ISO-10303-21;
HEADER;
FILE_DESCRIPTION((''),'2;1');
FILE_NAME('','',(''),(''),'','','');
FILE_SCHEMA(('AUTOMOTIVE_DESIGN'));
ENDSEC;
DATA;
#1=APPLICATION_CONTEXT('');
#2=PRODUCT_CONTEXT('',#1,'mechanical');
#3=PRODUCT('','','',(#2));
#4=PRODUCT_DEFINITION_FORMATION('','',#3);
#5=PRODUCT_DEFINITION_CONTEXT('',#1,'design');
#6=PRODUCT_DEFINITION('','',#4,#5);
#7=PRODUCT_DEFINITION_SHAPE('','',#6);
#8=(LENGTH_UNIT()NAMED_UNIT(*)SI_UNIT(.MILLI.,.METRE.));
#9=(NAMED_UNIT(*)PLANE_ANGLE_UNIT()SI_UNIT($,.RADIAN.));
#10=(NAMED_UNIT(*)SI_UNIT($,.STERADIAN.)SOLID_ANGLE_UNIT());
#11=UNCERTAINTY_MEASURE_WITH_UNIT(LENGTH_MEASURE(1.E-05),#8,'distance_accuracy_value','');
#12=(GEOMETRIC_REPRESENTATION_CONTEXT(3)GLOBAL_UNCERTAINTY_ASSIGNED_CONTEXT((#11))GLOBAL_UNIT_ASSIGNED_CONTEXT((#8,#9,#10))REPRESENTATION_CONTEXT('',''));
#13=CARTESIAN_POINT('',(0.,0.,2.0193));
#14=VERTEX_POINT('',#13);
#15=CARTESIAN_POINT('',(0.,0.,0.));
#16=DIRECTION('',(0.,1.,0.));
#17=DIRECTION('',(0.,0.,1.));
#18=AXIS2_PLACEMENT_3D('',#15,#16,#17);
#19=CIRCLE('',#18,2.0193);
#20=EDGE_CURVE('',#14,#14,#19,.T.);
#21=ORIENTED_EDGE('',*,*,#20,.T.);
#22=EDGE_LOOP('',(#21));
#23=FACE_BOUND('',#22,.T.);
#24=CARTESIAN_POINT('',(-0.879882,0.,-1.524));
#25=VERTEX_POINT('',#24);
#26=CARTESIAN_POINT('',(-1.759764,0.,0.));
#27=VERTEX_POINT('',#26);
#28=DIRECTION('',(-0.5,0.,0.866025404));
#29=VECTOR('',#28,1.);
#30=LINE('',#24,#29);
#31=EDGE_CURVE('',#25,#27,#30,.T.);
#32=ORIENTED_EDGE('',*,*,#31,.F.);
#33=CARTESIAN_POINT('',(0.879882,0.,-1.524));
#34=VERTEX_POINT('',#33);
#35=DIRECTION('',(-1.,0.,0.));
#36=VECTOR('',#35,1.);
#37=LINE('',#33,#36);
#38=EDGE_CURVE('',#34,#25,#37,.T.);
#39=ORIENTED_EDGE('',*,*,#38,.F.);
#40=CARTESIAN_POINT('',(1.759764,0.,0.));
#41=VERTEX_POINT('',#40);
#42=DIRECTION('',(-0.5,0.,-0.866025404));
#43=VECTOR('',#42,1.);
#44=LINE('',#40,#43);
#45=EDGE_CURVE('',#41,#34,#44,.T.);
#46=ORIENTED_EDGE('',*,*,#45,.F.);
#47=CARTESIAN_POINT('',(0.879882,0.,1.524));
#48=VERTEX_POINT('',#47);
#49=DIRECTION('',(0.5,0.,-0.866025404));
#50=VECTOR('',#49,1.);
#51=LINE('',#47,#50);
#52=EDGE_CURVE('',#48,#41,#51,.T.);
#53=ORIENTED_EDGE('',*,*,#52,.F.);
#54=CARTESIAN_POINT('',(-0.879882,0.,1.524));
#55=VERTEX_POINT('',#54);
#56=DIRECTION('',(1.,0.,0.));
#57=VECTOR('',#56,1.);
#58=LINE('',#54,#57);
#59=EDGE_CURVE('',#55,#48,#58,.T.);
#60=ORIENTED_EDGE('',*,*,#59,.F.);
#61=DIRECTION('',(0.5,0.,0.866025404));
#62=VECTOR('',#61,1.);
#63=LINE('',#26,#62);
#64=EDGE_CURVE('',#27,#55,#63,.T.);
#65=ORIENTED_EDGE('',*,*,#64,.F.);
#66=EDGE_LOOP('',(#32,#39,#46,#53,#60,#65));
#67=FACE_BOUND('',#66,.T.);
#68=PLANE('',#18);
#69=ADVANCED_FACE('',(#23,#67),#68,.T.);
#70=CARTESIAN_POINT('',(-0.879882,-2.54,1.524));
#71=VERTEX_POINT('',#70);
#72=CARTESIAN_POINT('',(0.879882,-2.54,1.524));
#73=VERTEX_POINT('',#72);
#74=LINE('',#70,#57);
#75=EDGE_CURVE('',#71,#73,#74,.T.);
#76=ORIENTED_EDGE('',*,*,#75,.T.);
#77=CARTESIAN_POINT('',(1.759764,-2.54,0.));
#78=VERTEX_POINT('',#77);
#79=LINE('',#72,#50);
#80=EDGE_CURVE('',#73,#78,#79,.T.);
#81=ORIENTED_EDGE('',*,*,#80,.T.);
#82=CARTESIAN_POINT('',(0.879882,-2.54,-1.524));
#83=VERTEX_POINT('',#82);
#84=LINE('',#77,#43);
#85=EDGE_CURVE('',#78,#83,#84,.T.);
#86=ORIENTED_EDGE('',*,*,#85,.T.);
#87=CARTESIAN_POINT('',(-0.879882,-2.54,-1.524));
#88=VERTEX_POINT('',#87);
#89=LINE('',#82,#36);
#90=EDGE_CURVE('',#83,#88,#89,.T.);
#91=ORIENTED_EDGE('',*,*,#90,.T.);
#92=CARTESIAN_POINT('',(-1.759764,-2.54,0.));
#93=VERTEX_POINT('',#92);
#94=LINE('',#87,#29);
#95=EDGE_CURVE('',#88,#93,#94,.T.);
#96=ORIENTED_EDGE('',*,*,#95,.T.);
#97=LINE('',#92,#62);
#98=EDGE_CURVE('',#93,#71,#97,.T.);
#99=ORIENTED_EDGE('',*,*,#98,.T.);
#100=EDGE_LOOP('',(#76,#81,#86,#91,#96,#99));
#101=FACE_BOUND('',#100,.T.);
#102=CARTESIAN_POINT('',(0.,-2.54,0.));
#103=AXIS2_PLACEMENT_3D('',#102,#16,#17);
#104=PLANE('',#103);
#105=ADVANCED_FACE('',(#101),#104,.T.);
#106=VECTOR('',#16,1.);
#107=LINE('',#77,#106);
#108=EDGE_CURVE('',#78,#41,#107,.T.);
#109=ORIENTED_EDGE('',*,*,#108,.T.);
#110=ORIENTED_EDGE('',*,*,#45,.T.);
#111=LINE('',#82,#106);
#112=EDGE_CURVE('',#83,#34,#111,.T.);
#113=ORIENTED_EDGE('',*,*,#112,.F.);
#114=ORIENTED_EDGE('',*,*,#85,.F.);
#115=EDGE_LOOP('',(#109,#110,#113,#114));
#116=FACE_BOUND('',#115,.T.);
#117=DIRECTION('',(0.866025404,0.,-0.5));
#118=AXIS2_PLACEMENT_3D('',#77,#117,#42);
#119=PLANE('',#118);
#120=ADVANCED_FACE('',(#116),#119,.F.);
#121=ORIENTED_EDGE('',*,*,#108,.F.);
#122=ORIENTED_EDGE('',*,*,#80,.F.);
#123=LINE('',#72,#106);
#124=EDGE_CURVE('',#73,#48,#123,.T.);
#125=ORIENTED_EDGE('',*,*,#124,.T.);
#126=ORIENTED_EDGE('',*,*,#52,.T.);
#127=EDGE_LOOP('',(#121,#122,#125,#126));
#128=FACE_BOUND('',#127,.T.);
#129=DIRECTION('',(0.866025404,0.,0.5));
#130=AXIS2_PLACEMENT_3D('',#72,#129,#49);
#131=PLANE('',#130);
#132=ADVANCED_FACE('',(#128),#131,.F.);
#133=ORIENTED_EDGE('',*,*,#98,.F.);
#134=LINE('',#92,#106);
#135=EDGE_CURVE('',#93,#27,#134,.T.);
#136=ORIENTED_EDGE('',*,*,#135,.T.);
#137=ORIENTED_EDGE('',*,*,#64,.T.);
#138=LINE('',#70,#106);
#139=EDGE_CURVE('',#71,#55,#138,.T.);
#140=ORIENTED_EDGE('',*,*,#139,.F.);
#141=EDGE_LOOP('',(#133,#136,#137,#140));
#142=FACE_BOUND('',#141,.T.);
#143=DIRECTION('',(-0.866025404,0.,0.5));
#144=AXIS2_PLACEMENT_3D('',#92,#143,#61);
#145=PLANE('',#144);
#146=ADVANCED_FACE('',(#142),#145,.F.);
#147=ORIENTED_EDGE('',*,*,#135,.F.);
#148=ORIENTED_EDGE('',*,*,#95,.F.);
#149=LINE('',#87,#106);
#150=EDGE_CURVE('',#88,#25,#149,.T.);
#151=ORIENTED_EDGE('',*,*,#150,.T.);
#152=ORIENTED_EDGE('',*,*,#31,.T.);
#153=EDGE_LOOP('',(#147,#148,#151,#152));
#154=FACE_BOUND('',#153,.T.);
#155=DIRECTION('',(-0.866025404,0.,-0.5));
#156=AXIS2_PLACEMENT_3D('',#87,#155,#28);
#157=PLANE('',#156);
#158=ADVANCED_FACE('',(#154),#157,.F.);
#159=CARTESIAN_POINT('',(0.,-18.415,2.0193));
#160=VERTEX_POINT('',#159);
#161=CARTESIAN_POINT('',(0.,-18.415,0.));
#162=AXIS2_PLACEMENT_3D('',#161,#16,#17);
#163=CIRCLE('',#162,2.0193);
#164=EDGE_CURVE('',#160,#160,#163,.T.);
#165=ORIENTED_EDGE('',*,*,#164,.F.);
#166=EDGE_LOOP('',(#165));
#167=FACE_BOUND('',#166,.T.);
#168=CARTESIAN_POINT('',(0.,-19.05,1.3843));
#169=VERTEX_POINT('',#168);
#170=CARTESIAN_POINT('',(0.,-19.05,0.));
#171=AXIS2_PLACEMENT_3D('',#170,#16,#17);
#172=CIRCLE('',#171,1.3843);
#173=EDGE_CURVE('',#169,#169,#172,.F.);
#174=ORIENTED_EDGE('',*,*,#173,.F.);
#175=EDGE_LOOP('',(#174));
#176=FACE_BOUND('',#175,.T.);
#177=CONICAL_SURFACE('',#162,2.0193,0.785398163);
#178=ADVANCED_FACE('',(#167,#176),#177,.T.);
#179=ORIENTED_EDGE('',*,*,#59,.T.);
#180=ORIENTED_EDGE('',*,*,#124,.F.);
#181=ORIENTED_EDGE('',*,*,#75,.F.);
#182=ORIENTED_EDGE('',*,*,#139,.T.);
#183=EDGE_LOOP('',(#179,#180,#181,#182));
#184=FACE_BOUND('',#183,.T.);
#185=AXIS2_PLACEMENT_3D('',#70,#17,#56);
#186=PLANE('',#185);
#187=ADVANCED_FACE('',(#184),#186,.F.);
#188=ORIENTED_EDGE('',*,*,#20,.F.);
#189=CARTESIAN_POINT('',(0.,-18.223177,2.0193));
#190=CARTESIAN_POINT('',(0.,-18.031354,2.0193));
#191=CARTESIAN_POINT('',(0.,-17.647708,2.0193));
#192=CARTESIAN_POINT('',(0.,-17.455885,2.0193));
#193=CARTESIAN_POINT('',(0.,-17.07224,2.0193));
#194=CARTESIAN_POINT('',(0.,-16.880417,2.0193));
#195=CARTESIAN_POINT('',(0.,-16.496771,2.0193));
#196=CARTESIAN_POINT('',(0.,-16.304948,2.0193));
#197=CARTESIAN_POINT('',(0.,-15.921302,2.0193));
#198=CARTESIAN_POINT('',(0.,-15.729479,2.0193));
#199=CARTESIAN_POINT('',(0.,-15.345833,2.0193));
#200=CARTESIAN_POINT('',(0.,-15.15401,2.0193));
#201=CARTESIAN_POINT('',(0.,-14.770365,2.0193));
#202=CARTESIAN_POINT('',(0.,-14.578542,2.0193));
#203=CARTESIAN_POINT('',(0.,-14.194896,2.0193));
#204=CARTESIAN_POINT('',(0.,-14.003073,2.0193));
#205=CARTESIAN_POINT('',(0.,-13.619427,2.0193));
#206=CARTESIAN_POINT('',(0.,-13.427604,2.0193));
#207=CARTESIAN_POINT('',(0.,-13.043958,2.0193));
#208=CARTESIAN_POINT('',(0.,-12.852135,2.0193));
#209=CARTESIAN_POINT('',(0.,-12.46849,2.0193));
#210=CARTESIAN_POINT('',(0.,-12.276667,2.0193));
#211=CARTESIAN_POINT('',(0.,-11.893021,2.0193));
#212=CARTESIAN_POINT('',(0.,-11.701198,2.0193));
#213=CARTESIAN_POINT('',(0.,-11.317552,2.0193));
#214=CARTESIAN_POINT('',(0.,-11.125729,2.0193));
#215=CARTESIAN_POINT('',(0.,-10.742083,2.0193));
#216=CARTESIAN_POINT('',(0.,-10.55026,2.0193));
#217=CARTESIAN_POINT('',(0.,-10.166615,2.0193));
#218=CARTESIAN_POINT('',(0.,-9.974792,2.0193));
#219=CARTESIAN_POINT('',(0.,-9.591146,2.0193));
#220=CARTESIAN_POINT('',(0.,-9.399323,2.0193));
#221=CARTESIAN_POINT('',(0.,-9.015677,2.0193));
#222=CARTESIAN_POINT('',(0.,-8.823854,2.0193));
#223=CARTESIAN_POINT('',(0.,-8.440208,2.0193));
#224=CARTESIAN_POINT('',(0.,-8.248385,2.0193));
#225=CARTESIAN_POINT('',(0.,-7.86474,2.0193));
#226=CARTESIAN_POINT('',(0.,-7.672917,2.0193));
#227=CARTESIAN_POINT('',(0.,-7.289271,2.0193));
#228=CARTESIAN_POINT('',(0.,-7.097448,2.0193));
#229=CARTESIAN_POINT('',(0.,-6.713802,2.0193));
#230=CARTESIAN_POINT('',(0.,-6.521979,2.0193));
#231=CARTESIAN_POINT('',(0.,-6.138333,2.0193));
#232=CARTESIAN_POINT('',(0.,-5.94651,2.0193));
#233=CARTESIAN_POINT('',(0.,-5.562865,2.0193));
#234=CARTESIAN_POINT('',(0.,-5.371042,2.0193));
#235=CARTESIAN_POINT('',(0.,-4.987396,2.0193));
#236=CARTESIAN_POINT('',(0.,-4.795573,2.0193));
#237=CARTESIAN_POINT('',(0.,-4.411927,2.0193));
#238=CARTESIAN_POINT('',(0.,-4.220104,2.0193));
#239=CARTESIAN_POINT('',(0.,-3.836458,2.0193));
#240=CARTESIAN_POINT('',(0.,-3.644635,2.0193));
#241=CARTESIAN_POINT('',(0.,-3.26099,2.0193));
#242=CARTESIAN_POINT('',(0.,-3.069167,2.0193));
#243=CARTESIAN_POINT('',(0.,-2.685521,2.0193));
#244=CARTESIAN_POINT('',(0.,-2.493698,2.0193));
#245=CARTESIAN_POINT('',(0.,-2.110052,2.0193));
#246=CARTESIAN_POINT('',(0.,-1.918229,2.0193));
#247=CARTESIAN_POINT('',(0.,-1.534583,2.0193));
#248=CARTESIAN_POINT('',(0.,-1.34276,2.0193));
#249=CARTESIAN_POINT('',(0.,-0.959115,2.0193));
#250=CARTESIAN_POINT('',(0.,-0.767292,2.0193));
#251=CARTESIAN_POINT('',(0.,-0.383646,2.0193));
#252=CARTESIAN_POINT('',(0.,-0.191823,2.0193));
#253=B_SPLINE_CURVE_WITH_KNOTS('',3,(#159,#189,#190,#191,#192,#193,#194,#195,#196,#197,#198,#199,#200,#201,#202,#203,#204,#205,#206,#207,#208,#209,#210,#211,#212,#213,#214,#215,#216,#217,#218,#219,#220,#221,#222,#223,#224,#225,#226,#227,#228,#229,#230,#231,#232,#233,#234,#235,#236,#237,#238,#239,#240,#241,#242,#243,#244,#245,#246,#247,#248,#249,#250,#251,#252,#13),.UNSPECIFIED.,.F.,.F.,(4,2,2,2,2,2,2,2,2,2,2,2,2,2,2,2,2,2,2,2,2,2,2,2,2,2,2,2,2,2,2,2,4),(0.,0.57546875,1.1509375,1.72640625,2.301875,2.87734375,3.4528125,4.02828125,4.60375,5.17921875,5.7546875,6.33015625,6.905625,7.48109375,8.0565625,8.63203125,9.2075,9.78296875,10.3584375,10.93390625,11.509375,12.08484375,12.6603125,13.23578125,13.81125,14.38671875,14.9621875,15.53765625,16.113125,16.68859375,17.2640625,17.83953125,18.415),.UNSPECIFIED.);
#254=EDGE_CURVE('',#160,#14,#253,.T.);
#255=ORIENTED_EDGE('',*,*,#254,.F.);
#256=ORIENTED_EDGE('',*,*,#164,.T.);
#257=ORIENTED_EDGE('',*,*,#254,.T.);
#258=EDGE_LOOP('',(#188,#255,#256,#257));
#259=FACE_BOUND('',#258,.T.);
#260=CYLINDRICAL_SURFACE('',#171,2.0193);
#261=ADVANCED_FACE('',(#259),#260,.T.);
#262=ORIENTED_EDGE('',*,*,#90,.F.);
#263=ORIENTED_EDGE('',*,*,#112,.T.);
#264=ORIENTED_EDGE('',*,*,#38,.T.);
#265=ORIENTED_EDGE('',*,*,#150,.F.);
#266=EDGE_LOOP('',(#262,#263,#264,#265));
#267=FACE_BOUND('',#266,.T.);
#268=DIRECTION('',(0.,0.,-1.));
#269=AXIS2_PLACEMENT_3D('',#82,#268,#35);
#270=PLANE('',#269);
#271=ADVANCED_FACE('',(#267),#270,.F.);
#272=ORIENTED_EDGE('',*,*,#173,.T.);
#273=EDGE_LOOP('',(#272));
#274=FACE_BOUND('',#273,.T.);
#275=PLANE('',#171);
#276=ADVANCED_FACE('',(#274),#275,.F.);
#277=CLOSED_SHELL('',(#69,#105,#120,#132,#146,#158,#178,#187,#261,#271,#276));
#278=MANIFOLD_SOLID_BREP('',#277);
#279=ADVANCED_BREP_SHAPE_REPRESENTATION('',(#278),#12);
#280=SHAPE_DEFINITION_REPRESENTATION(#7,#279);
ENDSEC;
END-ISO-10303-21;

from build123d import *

# Parameters (mm, degrees)
SKETCH1_R           = 2.0193
BOSS_EXTRUDE1_DEPTH = 19.05
CHAMFER1_SIZE       = 0.635
CUT_EXTRUDE1_DEPTH  = 2.54


with BuildPart() as part:
    # Sketch1 → Boss-Extrude1 (new body)
    with BuildSketch(Plane(origin=(0, 0, 0), x_dir=(1, 0, 0), z_dir=(0, 1, 0))):
        with Locations(Location((0, 0, 0), (0, 0, 270))):
            Circle(SKETCH1_R)
    extrude(amount=-BOSS_EXTRUDE1_DEPTH)

    # Chamfer1
    chamfer1_edges = [part.edges().sort_by_distance(p)[0] for p in [
        (0, -19.05, -2.0193),
    ]]
    chamfer(chamfer1_edges, length=CHAMFER1_SIZE)

    # Sketch2 → Cut-Extrude1 (cut)
    with BuildSketch(Plane(origin=(0, 0, 0), x_dir=(1, 0, 0), z_dir=(0, 1, 0))):
        Polygon((-1.75976362, 0), (-0.87988181, -1.524), (0.87988181, -1.524), (1.75976362, 0), (0.87988181, 1.524), (-0.87988181, 1.524), align=None)
    extrude(amount=-CUT_EXTRUDE1_DEPTH, mode=Mode.SUBTRACT)


solid = part.part
